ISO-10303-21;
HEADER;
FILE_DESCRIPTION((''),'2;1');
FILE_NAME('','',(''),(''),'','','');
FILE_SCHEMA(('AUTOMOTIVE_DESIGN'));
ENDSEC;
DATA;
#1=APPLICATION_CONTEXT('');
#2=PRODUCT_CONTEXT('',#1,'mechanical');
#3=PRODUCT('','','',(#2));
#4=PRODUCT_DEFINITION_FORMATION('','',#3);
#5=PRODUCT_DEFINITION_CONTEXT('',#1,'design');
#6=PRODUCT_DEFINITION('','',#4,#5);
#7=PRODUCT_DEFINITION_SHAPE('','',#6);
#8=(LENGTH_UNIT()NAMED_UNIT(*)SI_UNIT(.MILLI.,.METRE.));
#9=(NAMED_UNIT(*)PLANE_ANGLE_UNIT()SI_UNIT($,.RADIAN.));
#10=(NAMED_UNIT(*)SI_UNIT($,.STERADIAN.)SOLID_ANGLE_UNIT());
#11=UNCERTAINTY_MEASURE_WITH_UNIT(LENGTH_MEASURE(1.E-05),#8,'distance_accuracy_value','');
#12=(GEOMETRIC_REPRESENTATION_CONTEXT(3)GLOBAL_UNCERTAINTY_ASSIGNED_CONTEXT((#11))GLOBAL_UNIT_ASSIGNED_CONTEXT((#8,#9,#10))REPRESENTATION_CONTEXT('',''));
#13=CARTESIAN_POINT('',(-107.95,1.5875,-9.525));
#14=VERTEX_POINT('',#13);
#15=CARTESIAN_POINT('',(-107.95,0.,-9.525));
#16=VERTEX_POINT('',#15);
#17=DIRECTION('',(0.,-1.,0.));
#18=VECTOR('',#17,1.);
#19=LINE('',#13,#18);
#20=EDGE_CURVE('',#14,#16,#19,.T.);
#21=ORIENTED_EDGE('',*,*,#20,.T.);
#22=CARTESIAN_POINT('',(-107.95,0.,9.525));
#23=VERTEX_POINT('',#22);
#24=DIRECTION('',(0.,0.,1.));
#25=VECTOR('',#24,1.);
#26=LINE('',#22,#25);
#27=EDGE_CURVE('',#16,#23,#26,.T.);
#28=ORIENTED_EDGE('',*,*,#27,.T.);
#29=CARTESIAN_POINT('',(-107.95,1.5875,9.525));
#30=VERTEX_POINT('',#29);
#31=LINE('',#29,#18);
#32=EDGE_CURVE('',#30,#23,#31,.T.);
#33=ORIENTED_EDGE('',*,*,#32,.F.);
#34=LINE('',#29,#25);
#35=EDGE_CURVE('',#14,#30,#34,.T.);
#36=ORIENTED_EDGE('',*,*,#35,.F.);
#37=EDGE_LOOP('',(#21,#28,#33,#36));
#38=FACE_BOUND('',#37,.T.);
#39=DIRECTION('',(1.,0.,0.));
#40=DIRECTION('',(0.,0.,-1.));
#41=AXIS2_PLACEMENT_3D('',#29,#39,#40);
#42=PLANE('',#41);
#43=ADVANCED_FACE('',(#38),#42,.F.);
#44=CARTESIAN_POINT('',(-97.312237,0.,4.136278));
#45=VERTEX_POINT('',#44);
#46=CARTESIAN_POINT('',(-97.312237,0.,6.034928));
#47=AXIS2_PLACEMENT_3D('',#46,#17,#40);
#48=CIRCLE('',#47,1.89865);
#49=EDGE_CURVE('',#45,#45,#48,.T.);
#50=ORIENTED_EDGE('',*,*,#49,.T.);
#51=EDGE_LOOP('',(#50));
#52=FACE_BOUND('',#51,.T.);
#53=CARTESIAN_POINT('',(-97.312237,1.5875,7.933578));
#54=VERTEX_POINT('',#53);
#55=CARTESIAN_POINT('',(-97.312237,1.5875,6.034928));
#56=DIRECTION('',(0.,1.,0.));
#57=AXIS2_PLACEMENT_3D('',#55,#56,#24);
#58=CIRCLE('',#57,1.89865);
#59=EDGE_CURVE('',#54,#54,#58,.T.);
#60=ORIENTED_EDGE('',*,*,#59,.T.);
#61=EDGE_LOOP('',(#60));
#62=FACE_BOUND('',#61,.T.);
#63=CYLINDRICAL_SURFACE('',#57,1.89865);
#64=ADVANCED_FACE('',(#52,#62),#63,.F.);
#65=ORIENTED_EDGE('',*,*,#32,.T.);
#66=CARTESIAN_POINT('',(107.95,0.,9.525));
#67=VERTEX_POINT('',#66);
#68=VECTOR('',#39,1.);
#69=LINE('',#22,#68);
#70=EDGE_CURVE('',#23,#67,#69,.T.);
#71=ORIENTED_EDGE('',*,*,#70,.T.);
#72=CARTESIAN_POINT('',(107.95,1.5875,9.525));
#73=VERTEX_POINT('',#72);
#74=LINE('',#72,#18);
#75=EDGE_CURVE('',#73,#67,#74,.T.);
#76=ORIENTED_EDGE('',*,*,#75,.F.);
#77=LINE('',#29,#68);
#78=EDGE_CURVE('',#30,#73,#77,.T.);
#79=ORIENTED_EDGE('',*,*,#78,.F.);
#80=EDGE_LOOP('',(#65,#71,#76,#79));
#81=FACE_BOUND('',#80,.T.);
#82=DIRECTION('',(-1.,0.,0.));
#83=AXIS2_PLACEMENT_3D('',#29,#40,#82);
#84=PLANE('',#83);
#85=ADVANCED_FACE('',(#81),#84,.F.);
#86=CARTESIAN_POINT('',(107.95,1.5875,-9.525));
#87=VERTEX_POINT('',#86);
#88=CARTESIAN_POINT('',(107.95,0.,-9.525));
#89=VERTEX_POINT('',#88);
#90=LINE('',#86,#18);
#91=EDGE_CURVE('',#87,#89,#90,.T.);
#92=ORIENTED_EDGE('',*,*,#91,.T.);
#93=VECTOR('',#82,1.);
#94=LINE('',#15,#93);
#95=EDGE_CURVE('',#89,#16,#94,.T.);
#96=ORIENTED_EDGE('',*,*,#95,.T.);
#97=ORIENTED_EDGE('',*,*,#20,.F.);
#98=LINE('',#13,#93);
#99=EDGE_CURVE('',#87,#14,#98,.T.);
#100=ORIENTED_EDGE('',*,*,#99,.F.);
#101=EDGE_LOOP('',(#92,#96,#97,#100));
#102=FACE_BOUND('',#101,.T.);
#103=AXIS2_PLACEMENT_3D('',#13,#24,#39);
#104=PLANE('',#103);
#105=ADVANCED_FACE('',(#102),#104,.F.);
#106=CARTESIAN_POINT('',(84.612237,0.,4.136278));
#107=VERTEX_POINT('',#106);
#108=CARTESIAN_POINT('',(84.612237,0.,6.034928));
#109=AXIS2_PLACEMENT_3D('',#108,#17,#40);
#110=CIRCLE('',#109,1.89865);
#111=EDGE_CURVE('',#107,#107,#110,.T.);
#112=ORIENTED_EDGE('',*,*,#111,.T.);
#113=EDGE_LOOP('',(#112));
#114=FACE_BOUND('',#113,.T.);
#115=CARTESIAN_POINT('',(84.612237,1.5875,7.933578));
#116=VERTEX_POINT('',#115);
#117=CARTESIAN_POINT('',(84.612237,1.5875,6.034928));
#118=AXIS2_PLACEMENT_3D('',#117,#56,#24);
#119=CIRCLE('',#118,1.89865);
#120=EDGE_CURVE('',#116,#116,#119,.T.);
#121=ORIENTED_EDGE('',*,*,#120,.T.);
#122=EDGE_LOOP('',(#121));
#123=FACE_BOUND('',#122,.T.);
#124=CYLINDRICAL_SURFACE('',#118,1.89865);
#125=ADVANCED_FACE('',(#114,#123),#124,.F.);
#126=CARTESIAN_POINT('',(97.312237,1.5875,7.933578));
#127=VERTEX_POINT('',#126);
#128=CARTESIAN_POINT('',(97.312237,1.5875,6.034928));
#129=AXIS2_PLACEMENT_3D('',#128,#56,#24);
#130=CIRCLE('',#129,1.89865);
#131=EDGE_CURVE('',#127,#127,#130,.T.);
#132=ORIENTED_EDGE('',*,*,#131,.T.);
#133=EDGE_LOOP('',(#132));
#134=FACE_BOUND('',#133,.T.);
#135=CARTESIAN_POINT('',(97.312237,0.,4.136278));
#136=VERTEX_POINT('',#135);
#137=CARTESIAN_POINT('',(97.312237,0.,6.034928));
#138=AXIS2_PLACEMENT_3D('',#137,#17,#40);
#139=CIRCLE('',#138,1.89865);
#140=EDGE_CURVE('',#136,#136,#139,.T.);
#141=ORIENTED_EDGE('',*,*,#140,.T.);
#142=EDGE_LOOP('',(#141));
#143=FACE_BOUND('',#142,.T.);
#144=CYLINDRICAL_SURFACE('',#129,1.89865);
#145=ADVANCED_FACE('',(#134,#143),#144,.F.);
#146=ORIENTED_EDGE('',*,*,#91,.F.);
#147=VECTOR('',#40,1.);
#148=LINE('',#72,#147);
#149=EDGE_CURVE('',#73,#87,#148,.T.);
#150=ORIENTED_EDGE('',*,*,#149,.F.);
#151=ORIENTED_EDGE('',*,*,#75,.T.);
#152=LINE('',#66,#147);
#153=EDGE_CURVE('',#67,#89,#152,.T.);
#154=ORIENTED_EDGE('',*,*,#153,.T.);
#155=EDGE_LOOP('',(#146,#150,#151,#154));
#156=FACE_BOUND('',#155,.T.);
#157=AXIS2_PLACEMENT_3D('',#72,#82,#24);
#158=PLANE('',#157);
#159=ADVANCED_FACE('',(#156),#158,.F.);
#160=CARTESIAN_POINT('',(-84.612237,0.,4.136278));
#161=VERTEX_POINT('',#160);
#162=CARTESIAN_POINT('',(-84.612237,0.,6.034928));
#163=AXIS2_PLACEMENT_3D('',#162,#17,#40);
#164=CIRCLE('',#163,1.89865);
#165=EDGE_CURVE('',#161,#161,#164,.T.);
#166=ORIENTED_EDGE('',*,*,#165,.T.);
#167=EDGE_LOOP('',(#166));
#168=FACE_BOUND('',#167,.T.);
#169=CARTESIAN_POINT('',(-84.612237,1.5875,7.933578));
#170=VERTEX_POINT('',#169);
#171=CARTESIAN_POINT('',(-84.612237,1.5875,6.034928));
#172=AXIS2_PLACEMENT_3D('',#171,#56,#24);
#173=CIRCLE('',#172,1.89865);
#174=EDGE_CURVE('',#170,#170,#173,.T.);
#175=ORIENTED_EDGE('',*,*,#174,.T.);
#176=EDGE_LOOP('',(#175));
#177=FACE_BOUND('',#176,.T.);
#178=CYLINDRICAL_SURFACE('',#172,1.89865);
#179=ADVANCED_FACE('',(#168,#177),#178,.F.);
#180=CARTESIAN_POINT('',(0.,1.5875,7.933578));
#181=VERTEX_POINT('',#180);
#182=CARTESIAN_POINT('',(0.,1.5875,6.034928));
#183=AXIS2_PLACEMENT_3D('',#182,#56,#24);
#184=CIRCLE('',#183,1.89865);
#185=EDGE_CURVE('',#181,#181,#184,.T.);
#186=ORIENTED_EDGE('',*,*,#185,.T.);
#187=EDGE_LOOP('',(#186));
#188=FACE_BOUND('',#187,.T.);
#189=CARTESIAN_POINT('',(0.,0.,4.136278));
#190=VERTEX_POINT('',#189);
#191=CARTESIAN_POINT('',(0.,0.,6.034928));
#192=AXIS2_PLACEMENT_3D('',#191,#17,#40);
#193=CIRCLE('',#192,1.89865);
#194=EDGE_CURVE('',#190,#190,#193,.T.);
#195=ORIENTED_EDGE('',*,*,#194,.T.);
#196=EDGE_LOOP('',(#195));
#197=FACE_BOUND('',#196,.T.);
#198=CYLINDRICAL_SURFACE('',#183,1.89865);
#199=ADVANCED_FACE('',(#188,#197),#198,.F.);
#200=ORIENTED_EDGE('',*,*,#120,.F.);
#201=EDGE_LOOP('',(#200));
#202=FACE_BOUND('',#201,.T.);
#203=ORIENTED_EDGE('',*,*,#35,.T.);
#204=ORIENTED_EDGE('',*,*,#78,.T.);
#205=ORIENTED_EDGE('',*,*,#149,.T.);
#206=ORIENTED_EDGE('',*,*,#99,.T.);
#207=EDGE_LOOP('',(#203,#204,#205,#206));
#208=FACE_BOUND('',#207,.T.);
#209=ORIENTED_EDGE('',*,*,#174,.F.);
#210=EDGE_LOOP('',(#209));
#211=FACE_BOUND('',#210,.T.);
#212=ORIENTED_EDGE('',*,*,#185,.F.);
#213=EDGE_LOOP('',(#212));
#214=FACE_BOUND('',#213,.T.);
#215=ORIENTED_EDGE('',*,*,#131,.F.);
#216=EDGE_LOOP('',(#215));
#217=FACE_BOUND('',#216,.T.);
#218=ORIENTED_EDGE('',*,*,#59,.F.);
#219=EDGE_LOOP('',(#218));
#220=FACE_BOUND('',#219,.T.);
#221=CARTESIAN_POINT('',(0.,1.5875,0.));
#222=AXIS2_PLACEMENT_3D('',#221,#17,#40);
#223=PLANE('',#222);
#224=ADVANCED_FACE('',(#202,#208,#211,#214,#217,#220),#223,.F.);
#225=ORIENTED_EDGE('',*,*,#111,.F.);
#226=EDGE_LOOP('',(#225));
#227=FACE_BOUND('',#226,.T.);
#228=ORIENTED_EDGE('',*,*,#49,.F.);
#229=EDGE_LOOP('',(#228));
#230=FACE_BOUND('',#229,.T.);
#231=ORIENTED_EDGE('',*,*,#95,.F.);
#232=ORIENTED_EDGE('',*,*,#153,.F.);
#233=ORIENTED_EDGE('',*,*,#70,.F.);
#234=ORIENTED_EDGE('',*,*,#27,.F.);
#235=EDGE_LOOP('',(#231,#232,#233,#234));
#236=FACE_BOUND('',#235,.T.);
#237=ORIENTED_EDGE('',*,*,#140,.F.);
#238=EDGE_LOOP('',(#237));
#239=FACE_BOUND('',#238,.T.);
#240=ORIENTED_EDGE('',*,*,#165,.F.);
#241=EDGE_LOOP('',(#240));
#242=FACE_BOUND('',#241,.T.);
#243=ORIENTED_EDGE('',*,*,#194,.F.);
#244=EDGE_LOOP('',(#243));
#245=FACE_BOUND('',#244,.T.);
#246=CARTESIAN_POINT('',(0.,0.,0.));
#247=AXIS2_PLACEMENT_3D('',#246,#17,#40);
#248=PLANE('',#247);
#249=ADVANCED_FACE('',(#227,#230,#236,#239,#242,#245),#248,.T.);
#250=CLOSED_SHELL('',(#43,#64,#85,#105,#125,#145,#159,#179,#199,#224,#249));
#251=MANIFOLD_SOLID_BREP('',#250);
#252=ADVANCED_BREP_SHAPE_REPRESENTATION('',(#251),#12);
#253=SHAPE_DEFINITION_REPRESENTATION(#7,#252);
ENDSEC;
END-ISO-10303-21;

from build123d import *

# Parameters (mm, degrees)
SKETCH2_W             = 215.9
SKETCH2_H             = 19.05
BOSS_EXTRUDE1_DEPTH   = 1.5875
F_6_CLEARANCE_HOLE1_D = 3.7973


with BuildPart() as part:
    # Sketch2 → Boss-Extrude1 (new body)
    with BuildSketch(Plane(origin=(0, 0, 0), x_dir=(1, 0, 0), z_dir=(0, 1, 0))):
        Rectangle(SKETCH2_W, SKETCH2_H)
    extrude(amount=BOSS_EXTRUDE1_DEPTH)

    # #6 Clearance Hole1 (through all)
    with Locations(Plane(origin=(0, 1.5875, 0), x_dir=(1, 0, 0), z_dir=(0, 1, 0))):
        with Locations((-97.31223666, -6.034928337), (0, -6.034928337), (97.31223666, -6.034928337), (-84.61223666, -6.034928337), (84.61223666, -6.034928337)):
            Hole(F_6_CLEARANCE_HOLE1_D / 2)


solid = part.part
